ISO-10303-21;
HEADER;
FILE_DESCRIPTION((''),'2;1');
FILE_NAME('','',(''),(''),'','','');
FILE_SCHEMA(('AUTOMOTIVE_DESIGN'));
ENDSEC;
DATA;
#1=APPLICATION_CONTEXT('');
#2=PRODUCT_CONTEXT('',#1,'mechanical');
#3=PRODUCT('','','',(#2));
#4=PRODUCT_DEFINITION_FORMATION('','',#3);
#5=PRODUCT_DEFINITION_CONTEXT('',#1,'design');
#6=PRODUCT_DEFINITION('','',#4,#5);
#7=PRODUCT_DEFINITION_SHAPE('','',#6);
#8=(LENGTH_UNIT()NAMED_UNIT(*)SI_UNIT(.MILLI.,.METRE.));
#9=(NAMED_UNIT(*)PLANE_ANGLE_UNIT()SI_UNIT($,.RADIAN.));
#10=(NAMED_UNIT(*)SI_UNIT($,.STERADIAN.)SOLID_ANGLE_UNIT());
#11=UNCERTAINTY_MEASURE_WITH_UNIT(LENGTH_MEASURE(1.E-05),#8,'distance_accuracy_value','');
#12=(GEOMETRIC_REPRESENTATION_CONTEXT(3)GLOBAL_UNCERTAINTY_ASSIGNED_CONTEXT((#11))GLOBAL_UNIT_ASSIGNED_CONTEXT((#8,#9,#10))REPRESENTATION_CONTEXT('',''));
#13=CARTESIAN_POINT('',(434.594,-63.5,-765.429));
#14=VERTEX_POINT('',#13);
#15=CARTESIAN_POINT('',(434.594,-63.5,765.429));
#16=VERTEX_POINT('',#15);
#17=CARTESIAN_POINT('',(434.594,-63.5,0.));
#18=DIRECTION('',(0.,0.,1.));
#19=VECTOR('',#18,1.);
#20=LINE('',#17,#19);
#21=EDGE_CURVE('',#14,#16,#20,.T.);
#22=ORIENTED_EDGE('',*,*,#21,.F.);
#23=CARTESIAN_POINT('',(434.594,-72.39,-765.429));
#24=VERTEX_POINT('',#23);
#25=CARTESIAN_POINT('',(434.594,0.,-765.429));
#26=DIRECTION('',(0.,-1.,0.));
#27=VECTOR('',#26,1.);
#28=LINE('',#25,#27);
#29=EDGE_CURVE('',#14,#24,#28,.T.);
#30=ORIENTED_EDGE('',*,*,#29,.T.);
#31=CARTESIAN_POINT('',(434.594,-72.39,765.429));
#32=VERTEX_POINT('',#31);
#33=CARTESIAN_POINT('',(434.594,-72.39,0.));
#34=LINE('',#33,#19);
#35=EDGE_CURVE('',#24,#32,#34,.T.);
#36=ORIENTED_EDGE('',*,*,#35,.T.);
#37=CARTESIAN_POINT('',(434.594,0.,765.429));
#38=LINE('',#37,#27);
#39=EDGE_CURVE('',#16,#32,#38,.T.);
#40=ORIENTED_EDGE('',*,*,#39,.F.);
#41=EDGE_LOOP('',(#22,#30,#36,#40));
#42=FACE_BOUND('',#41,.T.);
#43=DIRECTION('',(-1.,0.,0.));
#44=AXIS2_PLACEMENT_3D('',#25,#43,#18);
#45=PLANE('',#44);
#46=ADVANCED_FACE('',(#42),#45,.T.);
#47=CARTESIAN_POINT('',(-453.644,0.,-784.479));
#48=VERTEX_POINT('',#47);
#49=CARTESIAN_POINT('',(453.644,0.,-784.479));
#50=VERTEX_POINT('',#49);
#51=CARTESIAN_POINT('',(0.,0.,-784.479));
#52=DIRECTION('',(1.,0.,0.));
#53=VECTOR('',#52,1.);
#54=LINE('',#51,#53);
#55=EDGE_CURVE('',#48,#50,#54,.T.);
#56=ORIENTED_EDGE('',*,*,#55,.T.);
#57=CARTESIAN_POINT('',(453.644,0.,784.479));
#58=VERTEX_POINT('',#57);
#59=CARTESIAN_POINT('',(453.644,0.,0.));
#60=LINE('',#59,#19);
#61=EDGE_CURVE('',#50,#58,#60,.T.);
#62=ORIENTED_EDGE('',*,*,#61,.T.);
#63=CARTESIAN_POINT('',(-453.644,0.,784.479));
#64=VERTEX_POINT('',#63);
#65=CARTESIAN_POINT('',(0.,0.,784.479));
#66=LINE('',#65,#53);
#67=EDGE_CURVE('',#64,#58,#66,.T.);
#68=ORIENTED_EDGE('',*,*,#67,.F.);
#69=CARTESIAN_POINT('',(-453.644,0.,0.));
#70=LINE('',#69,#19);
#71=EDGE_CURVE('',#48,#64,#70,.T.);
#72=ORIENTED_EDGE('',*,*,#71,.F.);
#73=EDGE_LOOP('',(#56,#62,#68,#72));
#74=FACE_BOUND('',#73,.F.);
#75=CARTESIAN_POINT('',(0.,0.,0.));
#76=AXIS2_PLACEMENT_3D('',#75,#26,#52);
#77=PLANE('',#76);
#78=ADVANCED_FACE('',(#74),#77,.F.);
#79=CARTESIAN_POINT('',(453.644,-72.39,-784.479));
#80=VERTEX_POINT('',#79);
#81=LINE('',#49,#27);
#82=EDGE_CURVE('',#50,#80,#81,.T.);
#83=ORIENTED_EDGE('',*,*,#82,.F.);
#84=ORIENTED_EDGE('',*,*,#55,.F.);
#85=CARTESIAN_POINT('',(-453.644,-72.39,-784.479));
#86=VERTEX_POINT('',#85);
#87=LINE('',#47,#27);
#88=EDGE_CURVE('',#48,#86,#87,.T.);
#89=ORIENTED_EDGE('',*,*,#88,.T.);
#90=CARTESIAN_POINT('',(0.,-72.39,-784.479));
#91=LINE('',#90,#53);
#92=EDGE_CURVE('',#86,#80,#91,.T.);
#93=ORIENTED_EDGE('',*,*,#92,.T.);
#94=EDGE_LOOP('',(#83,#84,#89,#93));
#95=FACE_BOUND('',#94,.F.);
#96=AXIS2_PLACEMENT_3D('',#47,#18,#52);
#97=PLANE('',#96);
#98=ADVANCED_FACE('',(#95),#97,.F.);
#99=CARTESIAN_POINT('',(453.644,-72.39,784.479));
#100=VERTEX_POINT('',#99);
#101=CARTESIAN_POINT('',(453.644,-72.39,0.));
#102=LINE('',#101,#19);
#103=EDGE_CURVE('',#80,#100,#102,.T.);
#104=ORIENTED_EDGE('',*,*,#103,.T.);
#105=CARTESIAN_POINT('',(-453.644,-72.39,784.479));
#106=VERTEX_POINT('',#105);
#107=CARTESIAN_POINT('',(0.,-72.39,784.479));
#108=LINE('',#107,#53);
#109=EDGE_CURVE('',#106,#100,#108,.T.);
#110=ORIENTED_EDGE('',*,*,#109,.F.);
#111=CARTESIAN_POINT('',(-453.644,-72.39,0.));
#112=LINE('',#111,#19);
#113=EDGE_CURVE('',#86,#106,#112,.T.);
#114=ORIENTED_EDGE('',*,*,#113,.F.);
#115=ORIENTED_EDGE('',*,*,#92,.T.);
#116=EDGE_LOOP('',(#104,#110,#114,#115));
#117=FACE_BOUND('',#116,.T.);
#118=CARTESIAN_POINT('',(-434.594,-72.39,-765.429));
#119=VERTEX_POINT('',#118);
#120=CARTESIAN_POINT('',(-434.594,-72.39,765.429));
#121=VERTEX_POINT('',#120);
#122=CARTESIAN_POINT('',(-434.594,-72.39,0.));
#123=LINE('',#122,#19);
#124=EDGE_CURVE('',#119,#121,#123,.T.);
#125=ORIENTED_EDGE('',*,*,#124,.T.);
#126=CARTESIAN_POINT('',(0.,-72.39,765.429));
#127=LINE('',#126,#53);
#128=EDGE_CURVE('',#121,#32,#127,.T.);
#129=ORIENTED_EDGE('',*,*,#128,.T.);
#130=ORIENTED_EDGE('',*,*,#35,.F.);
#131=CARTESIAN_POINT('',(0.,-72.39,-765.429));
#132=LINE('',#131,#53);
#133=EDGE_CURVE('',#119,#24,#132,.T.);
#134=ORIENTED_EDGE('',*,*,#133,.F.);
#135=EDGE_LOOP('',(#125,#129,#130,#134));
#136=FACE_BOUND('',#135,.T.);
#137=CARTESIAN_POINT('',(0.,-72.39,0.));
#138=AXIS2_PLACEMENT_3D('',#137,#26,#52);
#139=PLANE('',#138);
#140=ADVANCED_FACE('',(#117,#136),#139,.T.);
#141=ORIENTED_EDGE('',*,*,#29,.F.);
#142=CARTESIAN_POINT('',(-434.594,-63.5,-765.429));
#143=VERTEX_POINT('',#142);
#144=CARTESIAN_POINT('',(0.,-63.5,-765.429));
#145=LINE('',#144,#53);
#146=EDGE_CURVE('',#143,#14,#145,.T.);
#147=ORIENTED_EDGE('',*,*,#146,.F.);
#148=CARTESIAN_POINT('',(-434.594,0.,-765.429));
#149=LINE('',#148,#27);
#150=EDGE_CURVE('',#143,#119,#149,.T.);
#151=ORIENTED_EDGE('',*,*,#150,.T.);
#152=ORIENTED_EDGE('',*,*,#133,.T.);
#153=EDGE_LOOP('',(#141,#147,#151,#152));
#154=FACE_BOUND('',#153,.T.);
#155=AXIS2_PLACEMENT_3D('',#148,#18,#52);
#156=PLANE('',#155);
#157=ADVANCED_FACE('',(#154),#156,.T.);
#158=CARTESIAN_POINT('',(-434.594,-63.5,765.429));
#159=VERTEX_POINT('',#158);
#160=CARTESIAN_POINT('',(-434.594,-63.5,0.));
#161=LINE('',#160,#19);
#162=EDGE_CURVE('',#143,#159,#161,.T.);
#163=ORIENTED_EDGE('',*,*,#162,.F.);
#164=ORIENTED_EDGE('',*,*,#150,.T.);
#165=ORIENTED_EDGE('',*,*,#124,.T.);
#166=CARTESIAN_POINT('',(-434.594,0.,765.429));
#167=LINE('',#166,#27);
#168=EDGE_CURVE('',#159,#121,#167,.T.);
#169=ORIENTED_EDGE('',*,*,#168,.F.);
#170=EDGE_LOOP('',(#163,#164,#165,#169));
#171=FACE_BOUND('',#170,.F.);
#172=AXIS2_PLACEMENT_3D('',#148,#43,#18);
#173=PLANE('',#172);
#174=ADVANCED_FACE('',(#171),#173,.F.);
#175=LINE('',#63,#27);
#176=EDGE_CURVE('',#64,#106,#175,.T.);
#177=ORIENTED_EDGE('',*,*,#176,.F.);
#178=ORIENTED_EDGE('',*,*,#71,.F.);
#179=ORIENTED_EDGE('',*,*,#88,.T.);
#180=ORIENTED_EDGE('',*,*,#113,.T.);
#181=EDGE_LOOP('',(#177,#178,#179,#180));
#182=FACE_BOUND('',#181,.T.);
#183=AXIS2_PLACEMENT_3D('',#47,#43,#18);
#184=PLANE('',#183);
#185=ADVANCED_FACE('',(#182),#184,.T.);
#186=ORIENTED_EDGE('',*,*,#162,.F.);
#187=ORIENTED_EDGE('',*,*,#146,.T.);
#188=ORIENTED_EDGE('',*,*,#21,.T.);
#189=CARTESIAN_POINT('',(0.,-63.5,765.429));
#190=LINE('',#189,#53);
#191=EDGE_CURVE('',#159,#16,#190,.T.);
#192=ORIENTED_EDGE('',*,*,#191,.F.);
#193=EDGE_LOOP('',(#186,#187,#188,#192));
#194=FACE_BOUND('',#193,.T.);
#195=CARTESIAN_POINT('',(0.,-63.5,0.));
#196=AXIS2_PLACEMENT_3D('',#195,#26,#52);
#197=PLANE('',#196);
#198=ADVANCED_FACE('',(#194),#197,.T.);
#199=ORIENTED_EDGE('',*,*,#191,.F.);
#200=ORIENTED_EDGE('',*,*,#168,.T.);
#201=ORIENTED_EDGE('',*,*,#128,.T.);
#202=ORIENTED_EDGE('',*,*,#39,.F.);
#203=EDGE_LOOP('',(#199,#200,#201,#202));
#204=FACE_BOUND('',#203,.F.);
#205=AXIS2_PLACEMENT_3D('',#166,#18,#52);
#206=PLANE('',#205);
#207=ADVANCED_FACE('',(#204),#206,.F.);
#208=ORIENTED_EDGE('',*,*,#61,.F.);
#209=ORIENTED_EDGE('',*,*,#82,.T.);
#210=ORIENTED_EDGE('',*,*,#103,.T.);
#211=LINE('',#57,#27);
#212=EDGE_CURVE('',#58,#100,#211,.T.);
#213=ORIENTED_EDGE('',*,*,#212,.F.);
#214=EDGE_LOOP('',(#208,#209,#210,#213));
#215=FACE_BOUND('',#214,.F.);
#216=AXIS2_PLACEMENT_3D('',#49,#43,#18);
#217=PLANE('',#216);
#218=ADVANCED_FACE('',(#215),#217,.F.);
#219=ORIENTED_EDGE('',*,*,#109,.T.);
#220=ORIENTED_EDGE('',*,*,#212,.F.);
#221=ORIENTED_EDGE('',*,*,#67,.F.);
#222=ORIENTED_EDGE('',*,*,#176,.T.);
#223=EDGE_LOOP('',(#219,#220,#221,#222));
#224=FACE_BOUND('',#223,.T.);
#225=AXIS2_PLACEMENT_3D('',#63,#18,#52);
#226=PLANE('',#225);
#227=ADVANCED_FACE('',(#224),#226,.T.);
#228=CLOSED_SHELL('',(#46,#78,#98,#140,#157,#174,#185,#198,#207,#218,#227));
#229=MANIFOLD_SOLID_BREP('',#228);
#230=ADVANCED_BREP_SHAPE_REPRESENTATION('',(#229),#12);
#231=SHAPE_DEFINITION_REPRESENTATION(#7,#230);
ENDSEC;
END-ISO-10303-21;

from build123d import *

# Parameters (mm, degrees)
F0_W     = 869.188
F0_H     = 1530.858
F1_DEPTH = 63.5
F0_W_2   = 907.288
F0_H_2   = 1568.958
F2_DEPTH = 72.39


with BuildPart() as f1:
    # F0 (on Front) → F1 (new body)
    with BuildSketch(Plane.XZ):
        Rectangle(F0_W, F0_H)
    extrude(amount=F1_DEPTH)

    # F0 (on Front) → F2 (join)
    with BuildSketch(Plane.XZ):
        Rectangle(F0_W_2, F0_H_2)
        Rectangle(F0_W, F0_H, mode=Mode.SUBTRACT)
    extrude(amount=F2_DEPTH)


solid = f1.part
